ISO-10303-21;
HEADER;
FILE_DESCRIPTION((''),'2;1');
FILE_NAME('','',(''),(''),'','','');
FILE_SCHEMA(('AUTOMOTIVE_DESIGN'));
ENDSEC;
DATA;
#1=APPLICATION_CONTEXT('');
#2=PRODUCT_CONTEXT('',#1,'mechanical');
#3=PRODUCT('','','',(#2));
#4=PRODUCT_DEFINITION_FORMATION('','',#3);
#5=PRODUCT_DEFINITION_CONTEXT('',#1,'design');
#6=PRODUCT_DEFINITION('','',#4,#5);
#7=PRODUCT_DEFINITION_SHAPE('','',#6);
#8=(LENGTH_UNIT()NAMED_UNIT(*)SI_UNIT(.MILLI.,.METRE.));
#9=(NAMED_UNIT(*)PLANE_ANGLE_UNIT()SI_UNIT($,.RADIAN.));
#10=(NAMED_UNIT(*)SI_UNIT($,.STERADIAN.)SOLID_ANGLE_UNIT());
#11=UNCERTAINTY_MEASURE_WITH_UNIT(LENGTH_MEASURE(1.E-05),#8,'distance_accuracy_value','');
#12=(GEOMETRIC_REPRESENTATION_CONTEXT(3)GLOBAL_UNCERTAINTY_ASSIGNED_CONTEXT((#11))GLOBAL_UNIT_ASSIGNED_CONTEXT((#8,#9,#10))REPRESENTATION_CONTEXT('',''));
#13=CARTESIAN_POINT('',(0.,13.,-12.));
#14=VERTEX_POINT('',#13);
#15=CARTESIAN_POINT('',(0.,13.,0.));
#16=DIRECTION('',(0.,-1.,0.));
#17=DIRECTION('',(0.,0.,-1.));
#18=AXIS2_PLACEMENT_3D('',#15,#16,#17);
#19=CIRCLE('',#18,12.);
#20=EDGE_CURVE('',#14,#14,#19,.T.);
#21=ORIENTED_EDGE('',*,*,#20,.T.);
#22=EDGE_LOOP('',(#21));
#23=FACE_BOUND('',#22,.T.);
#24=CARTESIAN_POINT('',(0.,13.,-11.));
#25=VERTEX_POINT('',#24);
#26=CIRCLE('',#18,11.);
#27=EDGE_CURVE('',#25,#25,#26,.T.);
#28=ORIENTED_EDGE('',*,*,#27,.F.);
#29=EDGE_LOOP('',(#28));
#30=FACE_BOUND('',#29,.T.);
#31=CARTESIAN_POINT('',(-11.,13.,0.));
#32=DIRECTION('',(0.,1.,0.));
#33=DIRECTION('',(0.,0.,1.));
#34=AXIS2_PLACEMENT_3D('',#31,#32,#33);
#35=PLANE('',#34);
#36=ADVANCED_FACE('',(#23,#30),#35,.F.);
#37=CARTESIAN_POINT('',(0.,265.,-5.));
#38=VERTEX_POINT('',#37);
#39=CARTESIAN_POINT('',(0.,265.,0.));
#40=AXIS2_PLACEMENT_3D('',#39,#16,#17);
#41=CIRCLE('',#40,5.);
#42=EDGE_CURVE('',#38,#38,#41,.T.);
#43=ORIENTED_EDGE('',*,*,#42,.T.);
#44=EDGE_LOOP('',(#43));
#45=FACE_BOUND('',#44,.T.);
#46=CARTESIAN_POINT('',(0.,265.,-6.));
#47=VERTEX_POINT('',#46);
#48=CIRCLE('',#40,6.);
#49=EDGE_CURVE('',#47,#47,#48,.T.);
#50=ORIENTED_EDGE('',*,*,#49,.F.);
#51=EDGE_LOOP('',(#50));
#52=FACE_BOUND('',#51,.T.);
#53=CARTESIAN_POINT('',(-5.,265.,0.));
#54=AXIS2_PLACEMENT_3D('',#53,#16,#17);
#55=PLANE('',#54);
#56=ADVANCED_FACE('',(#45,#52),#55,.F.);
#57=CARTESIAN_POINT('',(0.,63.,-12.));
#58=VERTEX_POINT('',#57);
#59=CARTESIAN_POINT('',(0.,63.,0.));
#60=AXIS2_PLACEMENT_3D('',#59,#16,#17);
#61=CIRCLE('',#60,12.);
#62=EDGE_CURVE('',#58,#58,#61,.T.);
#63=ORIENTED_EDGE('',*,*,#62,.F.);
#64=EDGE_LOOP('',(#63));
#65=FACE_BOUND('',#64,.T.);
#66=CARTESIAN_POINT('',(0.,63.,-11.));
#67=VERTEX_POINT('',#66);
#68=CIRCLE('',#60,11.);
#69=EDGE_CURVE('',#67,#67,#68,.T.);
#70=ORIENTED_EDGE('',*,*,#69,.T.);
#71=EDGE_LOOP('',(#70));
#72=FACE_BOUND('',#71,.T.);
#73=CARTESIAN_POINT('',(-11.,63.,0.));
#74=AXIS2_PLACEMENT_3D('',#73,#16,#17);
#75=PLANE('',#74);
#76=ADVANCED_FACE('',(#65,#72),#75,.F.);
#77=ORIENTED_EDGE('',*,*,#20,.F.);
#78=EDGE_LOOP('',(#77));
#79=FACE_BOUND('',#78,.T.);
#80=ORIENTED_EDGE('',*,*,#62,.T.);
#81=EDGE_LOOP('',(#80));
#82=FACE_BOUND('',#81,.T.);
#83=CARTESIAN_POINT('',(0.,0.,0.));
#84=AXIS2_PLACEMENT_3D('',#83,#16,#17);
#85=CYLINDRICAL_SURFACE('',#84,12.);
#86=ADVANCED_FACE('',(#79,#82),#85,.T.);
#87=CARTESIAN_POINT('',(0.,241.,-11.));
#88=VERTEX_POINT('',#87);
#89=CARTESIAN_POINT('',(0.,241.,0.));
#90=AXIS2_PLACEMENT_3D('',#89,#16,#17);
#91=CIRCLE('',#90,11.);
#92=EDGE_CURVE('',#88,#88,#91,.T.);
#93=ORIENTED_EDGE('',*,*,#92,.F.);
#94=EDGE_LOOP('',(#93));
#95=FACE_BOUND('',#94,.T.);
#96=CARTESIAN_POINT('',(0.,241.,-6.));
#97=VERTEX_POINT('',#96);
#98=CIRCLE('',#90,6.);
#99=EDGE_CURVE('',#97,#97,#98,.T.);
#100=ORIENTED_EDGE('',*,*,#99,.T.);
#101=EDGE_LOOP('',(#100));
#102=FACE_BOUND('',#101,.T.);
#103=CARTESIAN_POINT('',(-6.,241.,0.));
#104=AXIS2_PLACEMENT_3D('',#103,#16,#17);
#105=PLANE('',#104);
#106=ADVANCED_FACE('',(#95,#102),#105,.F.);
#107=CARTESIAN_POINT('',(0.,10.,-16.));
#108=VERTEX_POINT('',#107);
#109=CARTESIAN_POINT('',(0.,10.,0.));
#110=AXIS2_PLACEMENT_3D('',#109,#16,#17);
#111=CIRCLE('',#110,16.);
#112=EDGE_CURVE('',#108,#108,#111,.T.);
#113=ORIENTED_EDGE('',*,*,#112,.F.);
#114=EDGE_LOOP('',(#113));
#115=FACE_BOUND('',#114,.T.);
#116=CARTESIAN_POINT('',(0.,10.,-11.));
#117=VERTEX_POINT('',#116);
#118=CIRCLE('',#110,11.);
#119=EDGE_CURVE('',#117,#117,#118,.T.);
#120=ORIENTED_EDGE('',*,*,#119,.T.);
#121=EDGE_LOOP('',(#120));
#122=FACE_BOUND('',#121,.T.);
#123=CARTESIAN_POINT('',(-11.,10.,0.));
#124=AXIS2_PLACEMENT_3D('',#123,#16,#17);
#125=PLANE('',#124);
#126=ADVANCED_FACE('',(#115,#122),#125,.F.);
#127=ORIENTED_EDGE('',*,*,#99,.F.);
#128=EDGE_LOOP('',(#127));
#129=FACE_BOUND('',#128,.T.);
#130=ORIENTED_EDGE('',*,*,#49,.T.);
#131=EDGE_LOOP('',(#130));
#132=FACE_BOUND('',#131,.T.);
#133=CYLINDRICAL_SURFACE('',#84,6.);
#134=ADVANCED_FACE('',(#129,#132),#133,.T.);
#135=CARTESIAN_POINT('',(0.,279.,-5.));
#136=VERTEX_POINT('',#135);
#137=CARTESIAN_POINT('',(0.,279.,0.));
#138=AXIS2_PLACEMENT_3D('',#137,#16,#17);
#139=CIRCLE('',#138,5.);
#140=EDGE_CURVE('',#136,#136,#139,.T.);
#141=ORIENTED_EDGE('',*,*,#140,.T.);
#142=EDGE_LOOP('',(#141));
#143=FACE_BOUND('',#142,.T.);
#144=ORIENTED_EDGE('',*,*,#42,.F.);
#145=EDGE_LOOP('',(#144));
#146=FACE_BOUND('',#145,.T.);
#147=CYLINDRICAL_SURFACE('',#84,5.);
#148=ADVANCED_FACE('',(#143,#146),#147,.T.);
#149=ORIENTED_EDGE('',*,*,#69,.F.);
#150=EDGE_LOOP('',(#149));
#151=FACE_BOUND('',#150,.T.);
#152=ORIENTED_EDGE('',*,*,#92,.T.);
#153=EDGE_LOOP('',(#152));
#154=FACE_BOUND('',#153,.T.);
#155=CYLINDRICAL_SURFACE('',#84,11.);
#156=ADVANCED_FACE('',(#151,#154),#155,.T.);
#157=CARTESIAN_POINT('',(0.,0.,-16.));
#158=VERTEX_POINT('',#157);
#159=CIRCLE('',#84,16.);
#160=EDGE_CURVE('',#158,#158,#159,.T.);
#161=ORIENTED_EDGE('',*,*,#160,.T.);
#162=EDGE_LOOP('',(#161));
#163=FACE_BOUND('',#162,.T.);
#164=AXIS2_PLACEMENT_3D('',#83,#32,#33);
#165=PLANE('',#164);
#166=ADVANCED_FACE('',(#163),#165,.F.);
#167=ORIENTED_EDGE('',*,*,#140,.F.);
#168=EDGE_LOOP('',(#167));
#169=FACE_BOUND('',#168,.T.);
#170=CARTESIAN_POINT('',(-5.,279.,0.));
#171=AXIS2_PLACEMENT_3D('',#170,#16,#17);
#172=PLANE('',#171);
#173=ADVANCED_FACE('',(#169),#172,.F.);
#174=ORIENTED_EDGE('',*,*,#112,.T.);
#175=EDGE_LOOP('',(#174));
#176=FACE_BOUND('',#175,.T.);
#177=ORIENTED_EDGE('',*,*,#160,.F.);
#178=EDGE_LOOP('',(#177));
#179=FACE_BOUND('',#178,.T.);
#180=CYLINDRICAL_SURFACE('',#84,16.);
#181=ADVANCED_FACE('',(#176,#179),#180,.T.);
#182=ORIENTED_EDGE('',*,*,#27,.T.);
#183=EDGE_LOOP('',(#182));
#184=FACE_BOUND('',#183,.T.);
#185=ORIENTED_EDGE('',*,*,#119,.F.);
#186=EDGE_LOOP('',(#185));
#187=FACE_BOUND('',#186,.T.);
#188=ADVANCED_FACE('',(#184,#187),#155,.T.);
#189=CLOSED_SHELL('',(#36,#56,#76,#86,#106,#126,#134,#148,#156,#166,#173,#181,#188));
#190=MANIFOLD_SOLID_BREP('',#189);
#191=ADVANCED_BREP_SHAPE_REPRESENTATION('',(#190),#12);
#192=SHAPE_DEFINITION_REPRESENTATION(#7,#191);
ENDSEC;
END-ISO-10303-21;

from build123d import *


with BuildPart() as part:
    # Sketch1 → Revolve1 (revolve)
    with BuildSketch(Plane.XY, mode=Mode.PRIVATE) as revolve1_sk:
        Polygon((0, 0), (-16, 0), (-16, 10), (-11, 10), (-11, 13), (-12, 13), (-12, 63), (-11, 63), (-11, 241), (-6, 241), (-6, 265), (-5, 265), (-5, 279), (0, 279), align=None)
    revolve(revolve1_sk.sketch.rotate(Axis((0, 0, 0), (0, 1, 0)), 270), axis=Axis((0, 0, 0), (0, 1, 0)))


solid = part.part
